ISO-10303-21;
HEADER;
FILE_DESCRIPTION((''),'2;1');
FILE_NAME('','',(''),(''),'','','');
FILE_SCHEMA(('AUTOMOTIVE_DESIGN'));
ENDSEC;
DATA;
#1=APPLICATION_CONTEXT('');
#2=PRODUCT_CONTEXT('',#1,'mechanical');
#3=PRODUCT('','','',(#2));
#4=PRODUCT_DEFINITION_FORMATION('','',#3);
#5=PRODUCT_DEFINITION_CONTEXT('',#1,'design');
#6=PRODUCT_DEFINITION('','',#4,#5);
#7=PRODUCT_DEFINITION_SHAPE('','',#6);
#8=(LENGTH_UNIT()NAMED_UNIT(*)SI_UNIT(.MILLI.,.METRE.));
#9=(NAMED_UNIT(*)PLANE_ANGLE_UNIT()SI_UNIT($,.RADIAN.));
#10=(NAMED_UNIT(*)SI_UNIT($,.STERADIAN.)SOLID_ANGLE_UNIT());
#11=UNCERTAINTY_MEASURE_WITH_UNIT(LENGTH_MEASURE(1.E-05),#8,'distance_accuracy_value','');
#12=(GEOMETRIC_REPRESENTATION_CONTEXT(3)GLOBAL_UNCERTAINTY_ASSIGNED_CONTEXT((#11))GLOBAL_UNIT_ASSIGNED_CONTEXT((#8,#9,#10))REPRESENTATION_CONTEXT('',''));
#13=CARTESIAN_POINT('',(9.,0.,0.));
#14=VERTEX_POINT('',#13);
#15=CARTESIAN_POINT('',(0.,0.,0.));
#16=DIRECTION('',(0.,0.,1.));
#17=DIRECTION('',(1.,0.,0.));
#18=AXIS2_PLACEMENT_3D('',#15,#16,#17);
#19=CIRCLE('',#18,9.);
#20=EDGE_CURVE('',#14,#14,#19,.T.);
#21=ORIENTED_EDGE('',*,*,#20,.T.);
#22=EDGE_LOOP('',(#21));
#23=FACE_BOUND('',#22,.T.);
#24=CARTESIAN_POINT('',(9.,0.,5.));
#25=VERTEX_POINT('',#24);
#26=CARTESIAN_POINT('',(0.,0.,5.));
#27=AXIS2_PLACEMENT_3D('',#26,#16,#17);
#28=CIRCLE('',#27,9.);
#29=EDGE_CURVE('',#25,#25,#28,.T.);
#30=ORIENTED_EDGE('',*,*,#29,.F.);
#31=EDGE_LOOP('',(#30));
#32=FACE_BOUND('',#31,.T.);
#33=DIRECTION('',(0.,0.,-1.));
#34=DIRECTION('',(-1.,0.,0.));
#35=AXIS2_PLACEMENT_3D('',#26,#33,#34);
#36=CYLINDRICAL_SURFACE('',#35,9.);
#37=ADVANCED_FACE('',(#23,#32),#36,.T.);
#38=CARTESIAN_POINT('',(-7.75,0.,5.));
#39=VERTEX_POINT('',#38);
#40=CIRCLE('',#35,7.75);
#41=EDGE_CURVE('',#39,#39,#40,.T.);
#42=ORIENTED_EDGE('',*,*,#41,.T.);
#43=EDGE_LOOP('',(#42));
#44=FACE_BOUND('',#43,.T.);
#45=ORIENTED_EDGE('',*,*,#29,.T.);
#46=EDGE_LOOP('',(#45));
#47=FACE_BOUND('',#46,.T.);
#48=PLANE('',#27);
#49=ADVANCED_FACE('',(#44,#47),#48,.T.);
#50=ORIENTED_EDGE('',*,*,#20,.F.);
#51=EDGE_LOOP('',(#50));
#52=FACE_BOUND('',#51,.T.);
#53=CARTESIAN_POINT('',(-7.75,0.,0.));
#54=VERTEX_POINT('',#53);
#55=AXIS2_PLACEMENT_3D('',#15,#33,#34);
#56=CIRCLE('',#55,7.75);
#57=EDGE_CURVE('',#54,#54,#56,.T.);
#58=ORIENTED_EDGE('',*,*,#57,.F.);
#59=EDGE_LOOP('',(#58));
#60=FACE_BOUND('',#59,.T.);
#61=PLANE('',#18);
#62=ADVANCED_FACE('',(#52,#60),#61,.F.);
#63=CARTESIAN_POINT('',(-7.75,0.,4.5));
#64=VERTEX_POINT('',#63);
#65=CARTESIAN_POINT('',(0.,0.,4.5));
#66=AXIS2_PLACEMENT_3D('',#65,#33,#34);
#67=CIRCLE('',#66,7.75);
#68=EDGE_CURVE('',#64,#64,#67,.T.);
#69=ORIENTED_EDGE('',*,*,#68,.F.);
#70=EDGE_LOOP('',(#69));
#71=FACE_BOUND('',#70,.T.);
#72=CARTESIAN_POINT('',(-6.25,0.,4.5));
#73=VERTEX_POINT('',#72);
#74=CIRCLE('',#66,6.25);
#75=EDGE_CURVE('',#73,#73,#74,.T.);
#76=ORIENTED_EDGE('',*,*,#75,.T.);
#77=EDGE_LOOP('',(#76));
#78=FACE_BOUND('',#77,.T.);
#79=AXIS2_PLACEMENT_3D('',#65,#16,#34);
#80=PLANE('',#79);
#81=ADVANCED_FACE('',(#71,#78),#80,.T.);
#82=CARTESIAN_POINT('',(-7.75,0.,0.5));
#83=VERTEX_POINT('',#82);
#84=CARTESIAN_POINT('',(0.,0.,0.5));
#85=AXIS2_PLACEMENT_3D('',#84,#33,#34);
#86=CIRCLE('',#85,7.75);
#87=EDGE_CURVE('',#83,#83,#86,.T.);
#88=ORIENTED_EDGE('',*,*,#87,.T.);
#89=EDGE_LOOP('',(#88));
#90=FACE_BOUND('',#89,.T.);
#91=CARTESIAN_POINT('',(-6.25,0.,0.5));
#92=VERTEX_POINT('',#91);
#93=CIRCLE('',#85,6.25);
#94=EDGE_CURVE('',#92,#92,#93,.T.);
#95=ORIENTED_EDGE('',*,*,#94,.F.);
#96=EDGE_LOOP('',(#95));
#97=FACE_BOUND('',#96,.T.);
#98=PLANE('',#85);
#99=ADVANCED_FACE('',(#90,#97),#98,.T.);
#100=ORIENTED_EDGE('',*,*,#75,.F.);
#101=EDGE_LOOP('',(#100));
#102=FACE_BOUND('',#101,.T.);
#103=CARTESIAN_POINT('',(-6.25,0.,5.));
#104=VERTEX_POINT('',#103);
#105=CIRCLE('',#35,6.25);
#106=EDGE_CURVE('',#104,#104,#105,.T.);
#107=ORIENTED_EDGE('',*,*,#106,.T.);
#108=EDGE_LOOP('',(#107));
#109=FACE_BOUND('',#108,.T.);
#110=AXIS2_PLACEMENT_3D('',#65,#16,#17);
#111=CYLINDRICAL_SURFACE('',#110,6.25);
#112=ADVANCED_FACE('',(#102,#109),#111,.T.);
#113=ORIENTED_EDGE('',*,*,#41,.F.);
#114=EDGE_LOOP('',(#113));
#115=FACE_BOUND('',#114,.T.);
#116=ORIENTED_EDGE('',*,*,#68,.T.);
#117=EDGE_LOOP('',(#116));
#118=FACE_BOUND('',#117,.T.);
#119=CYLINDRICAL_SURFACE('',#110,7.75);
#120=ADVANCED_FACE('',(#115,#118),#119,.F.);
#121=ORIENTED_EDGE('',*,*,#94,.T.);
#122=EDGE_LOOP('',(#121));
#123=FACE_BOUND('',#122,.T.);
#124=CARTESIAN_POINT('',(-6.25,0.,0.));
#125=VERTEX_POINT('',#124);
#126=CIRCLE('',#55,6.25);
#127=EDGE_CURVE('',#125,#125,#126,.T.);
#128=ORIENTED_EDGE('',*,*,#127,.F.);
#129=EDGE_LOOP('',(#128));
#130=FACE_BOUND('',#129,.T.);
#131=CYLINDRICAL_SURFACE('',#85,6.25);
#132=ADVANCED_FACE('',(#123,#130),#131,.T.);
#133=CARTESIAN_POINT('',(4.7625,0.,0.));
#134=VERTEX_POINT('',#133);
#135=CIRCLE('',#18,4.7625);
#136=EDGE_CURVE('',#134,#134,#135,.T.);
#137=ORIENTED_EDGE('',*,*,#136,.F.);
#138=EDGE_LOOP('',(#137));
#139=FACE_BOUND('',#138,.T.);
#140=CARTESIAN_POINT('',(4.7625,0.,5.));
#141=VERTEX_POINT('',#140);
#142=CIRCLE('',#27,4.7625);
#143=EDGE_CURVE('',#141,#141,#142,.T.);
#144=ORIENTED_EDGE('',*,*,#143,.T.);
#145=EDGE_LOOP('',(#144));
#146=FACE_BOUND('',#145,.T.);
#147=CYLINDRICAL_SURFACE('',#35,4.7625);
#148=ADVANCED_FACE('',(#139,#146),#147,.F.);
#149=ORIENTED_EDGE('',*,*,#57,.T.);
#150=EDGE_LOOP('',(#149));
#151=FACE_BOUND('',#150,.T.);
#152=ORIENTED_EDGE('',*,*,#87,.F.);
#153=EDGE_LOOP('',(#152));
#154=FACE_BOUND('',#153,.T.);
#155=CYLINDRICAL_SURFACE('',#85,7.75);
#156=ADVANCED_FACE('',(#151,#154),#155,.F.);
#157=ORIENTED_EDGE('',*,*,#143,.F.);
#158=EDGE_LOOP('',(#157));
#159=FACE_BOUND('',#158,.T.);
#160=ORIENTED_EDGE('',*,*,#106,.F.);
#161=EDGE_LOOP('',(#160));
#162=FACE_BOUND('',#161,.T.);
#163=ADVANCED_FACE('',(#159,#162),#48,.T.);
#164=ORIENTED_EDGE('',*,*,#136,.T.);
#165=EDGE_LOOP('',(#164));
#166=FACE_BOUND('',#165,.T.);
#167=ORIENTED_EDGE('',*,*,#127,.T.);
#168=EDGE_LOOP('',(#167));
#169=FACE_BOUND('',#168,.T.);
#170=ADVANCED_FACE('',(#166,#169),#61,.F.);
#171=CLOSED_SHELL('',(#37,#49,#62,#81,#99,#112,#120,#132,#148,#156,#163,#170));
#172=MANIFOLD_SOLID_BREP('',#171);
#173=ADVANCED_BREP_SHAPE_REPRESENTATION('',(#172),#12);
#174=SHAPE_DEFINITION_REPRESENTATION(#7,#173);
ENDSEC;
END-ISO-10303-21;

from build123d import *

# Parameters (mm, degrees)
ESBO_O1_R                = 9
ESBO_O1_R_2              = 4.7625
RESSALTO_EXTRUS_O1_DEPTH = 5
ESBO_O2_R                = 7.75
ESBO_O2_R_2              = 6.25
CORTE_EXTRUS_O1_DEPTH    = 0.5


with BuildPart() as part:
    # Esboço1 → Ressalto-extrusão1 (new body)
    with BuildSketch(Plane.XY):
        Circle(ESBO_O1_R)
        Circle(ESBO_O1_R_2, mode=Mode.SUBTRACT)
    extrude(amount=RESSALTO_EXTRUS_O1_DEPTH)

    # Esboço2 → Corte-extrusão1 (cut)
    with BuildSketch(Plane(origin=(0, 0, 0), x_dir=(-1, 0, 0), z_dir=(0, 0, -1))):
        Circle(ESBO_O2_R)
        Circle(ESBO_O2_R_2, mode=Mode.SUBTRACT)
    corte_extrus_o1 = extrude(amount=-CORTE_EXTRUS_O1_DEPTH, mode=Mode.SUBTRACT)

    # Espelhar2: Corte-extrusão1 across plane
    add(corte_extrus_o1.mirror(Plane.XY.offset(2.5)), mode=Mode.SUBTRACT)


solid = part.part
